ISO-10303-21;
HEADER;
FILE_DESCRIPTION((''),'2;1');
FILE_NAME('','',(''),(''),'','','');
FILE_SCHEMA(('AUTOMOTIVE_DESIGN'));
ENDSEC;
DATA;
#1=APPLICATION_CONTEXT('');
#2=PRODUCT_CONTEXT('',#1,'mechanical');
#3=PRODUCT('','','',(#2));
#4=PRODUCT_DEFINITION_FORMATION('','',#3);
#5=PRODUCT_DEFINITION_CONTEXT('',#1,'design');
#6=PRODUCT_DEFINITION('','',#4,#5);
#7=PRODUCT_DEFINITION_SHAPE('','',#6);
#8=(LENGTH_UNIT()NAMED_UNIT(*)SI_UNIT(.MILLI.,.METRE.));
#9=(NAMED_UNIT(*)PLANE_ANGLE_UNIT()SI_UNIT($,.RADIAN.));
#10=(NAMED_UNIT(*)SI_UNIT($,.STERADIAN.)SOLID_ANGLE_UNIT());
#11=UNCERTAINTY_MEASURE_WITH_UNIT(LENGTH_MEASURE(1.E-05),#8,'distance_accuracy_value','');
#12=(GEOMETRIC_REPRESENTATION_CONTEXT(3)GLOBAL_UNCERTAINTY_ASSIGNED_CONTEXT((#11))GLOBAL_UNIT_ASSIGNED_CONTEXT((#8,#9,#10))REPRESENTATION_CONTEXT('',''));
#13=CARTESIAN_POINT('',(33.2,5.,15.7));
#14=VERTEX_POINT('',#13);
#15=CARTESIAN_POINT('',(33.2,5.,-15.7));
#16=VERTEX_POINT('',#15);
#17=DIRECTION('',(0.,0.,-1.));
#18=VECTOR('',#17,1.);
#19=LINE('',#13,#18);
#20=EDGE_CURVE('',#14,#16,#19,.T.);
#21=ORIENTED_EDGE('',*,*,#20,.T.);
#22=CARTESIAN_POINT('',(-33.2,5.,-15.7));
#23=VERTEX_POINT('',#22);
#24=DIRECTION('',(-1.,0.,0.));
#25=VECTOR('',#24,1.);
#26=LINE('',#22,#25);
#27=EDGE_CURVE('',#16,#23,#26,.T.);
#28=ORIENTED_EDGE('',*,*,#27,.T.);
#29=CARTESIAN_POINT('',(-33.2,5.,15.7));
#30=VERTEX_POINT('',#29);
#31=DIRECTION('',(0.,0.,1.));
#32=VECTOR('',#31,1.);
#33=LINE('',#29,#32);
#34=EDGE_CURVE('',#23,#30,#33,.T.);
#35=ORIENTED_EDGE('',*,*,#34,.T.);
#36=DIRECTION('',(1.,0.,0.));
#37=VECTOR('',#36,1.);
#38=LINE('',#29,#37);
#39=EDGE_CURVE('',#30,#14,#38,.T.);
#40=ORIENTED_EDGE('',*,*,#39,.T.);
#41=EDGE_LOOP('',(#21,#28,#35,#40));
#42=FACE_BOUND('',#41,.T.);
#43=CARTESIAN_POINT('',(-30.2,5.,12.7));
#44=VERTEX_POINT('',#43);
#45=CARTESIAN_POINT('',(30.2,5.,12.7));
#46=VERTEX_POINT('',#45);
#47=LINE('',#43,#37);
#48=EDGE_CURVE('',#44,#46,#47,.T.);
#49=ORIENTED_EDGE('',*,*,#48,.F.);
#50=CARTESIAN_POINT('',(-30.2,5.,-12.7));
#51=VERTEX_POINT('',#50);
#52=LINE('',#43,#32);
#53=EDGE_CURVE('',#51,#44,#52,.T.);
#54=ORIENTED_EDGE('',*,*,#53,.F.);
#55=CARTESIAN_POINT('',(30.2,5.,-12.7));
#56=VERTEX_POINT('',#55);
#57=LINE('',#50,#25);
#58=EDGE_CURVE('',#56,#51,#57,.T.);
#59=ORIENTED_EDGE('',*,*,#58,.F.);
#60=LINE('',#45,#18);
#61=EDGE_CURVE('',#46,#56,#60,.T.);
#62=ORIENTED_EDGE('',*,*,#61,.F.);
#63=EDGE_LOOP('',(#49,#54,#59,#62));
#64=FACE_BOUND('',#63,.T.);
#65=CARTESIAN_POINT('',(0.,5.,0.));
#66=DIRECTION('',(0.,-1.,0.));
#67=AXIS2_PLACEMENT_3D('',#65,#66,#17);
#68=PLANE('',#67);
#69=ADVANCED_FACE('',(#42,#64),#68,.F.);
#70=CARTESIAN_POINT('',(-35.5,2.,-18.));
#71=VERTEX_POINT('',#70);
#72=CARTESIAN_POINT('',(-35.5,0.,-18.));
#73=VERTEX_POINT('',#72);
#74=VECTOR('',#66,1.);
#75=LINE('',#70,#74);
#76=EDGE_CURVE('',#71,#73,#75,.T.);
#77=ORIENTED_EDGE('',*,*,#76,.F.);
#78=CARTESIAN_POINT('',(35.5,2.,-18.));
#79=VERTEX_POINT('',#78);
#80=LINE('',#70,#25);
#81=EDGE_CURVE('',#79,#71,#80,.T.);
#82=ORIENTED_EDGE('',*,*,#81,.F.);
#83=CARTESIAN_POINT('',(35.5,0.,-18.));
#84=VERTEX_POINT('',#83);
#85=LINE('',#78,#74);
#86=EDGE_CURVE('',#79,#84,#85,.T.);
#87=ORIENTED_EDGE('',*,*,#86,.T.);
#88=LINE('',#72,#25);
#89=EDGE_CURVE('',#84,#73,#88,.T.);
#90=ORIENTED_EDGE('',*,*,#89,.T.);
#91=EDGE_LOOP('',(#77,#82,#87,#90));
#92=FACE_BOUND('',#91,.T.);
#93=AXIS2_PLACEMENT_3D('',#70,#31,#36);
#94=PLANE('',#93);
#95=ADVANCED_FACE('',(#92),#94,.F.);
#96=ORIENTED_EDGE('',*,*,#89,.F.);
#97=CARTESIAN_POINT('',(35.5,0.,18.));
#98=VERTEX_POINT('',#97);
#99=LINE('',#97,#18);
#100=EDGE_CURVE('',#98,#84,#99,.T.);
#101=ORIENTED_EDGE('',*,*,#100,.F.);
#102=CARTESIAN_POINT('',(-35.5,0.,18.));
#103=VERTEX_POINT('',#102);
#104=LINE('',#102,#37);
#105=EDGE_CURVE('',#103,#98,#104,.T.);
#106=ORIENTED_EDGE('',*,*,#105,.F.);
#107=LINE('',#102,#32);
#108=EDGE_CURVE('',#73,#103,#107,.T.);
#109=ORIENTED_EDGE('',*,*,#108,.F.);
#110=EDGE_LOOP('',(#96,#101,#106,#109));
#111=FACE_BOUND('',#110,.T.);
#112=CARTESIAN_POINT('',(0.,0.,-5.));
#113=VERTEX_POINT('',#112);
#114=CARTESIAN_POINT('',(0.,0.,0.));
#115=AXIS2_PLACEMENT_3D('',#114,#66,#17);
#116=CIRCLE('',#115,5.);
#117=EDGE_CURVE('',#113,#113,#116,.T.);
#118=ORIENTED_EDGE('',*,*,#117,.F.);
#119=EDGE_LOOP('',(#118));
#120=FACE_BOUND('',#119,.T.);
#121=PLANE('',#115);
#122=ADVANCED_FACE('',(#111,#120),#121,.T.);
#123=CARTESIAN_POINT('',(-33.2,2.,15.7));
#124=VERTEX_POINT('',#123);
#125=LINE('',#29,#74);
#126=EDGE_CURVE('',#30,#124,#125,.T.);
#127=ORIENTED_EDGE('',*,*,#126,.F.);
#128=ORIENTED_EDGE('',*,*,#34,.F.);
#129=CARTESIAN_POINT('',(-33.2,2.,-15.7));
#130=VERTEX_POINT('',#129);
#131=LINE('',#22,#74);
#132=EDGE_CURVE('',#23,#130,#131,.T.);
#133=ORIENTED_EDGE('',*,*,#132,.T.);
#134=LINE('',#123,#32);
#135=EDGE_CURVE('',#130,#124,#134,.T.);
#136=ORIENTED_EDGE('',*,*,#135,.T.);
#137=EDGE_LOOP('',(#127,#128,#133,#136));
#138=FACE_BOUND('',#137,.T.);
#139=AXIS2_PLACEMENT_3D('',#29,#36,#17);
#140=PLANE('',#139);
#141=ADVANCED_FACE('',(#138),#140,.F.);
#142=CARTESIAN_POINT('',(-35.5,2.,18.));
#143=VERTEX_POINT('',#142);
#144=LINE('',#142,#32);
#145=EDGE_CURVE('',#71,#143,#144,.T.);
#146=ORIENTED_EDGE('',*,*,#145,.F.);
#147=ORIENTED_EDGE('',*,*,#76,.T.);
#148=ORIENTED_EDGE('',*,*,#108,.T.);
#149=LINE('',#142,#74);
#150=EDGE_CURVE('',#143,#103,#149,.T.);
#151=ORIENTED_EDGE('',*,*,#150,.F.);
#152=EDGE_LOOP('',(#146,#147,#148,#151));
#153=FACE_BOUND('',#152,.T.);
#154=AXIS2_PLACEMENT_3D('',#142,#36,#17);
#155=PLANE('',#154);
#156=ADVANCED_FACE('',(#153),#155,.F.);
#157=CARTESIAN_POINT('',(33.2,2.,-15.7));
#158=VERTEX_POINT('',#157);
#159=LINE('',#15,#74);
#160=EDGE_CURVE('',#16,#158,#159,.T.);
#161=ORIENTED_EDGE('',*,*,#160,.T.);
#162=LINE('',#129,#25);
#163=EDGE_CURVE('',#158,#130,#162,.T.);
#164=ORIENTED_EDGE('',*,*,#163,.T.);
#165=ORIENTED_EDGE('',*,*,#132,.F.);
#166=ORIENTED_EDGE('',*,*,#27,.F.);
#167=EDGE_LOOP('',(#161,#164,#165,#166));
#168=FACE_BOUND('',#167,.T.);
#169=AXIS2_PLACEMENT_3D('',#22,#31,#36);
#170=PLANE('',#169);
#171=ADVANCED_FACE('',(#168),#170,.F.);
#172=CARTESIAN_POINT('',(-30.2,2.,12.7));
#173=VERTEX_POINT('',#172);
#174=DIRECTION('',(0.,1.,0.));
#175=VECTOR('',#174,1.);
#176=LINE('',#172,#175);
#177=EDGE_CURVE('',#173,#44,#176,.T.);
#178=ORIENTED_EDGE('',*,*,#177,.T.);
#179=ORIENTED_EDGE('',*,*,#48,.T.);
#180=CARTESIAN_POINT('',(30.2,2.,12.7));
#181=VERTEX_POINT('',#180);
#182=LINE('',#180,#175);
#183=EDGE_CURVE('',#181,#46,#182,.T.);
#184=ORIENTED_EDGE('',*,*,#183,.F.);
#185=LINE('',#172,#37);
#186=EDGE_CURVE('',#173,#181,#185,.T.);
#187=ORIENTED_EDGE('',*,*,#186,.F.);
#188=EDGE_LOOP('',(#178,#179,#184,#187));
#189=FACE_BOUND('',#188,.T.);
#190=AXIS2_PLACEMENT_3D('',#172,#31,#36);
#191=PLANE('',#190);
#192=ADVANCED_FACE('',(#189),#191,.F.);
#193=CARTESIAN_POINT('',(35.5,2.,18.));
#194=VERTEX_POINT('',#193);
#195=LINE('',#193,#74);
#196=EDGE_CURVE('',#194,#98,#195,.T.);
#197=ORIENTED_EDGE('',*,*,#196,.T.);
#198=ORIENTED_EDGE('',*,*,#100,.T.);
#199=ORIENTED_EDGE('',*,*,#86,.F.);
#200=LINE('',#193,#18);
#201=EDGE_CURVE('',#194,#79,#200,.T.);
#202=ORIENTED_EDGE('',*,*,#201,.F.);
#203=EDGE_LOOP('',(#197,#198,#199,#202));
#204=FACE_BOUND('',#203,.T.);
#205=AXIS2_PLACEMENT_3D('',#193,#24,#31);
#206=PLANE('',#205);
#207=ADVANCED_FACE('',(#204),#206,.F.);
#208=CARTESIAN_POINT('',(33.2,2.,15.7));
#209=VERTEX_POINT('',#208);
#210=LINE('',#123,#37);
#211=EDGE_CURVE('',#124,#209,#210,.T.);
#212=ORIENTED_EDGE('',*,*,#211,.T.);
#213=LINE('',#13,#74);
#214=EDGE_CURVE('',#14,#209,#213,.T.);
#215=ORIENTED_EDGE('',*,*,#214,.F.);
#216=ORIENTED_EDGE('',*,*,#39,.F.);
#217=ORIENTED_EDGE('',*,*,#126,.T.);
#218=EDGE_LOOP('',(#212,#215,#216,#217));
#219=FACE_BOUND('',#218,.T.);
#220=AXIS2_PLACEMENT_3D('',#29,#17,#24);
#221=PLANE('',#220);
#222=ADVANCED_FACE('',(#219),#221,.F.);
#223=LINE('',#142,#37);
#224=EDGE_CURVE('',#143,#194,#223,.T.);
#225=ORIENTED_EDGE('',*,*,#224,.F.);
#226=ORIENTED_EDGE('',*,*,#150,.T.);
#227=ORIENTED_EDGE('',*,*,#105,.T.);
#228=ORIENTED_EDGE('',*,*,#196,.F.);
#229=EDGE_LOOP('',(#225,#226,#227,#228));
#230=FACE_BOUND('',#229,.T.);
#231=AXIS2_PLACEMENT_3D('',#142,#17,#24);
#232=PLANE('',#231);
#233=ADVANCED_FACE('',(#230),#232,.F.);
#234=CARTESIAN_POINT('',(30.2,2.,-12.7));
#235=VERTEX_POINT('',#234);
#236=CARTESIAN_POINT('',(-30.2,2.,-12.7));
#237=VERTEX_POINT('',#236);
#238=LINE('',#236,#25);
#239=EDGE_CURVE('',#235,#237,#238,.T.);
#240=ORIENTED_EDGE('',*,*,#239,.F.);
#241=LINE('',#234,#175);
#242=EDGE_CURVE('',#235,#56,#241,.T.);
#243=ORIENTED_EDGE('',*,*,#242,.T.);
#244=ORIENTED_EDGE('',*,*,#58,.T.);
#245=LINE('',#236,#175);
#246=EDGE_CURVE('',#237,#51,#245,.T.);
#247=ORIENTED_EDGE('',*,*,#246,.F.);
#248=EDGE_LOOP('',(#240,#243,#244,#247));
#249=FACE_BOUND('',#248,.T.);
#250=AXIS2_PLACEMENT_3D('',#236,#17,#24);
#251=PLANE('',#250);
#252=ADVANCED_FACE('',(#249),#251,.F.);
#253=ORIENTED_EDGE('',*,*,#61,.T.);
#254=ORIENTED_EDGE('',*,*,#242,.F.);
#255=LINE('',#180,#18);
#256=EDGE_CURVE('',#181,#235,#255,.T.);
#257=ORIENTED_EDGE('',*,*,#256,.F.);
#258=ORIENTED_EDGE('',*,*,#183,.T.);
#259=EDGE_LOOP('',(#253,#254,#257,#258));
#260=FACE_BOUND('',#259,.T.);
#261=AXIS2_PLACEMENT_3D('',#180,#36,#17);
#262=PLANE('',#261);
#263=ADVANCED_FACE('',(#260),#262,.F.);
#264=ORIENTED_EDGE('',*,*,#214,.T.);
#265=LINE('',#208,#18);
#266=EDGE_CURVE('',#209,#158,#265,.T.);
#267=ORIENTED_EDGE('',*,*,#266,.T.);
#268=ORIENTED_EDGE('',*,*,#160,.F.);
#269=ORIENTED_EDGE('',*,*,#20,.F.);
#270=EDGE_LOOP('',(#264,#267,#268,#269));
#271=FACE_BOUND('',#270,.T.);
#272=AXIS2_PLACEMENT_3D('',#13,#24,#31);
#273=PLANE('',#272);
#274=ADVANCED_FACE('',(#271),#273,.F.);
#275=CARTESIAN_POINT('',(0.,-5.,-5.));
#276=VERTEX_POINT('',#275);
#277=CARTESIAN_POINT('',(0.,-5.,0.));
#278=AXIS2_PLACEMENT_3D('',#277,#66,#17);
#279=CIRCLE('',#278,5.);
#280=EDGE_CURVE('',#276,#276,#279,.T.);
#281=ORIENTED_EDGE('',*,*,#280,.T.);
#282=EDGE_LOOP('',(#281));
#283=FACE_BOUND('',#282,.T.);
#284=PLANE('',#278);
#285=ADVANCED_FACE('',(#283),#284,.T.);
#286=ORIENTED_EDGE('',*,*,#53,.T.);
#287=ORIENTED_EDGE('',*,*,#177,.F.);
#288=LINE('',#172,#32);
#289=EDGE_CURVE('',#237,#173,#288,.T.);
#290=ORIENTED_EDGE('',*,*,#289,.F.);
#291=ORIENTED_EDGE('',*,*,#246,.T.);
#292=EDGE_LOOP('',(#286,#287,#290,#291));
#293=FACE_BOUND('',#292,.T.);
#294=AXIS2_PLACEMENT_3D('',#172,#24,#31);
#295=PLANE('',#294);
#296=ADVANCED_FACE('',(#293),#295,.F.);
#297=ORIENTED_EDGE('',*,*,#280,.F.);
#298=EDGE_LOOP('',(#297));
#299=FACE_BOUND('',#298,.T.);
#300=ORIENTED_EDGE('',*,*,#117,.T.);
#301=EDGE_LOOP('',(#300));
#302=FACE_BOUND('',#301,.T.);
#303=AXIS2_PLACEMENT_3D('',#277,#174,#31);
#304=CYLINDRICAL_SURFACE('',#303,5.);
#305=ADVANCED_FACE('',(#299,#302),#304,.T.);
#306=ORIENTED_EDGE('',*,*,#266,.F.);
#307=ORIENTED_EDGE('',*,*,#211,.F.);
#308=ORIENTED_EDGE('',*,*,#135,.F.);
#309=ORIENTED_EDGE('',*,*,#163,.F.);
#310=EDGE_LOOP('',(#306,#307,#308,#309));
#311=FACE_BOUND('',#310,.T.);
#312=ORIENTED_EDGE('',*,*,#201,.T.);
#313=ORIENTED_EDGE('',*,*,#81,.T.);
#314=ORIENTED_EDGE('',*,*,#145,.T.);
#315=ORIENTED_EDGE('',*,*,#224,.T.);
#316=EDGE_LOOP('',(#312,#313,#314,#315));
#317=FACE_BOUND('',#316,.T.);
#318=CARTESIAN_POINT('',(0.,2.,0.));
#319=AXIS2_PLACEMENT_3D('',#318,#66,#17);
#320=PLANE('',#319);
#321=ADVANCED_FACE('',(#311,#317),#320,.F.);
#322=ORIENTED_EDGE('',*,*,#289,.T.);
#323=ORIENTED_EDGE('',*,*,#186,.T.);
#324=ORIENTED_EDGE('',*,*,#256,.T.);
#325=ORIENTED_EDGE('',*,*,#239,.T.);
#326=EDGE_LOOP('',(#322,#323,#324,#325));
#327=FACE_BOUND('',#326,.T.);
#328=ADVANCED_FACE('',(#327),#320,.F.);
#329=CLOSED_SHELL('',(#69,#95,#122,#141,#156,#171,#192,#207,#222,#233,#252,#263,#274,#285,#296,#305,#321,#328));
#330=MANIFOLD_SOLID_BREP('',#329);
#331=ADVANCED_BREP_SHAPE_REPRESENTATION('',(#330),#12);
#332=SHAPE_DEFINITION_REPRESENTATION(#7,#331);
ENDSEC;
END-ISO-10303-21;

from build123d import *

# Parameters (mm, degrees)
SCHIZZO1_W                   = 71
SCHIZZO1_H                   = 36
ESTRUSIONE_ESTRUSIONE1_DEPTH = 2
SCHIZZO2_W                   = 66.4
SCHIZZO2_H                   = 31.4
ESTRUSIONE_ESTRUSIONE2_DEPTH = 3
SCHIZZO3_R                   = 5
ESTRUSIONE_ESTRUSIONE3_DEPTH = 5
SCHIZZO4_W                   = 60.4
SCHIZZO4_H                   = 25.4
TAGLIO_ESTRUSIONE1_DEPTH     = 3


with BuildPart() as part:
    # Schizzo1 → Estrusione-Estrusione1 (new body)
    with BuildSketch(Plane(origin=(0, 0, 0), x_dir=(1, 0, 0), z_dir=(0, 1, 0))):
        Rectangle(SCHIZZO1_W, SCHIZZO1_H)
    extrude(amount=ESTRUSIONE_ESTRUSIONE1_DEPTH)

    # Schizzo2 → Estrusione-Estrusione2 (add)
    with BuildSketch(Plane(origin=(0, 2, 0), x_dir=(1, 0, 0), z_dir=(0, 1, 0))):
        Rectangle(SCHIZZO2_W, SCHIZZO2_H)
    extrude(amount=ESTRUSIONE_ESTRUSIONE2_DEPTH)

    # Schizzo3 → Estrusione-Estrusione3 (add)
    with BuildSketch(Plane.XZ):
        with Locations(Location((0, 0, 0), (0, 0, 270))):
            Circle(SCHIZZO3_R)
    extrude(amount=ESTRUSIONE_ESTRUSIONE3_DEPTH)

    # Schizzo4 → Taglio-Estrusione1 (cut)
    with BuildSketch(Plane(origin=(0, 5, 0), x_dir=(1, 0, 0), z_dir=(0, 1, 0))):
        Rectangle(SCHIZZO4_W, SCHIZZO4_H)
    extrude(amount=-TAGLIO_ESTRUSIONE1_DEPTH, mode=Mode.SUBTRACT)


solid = part.part
